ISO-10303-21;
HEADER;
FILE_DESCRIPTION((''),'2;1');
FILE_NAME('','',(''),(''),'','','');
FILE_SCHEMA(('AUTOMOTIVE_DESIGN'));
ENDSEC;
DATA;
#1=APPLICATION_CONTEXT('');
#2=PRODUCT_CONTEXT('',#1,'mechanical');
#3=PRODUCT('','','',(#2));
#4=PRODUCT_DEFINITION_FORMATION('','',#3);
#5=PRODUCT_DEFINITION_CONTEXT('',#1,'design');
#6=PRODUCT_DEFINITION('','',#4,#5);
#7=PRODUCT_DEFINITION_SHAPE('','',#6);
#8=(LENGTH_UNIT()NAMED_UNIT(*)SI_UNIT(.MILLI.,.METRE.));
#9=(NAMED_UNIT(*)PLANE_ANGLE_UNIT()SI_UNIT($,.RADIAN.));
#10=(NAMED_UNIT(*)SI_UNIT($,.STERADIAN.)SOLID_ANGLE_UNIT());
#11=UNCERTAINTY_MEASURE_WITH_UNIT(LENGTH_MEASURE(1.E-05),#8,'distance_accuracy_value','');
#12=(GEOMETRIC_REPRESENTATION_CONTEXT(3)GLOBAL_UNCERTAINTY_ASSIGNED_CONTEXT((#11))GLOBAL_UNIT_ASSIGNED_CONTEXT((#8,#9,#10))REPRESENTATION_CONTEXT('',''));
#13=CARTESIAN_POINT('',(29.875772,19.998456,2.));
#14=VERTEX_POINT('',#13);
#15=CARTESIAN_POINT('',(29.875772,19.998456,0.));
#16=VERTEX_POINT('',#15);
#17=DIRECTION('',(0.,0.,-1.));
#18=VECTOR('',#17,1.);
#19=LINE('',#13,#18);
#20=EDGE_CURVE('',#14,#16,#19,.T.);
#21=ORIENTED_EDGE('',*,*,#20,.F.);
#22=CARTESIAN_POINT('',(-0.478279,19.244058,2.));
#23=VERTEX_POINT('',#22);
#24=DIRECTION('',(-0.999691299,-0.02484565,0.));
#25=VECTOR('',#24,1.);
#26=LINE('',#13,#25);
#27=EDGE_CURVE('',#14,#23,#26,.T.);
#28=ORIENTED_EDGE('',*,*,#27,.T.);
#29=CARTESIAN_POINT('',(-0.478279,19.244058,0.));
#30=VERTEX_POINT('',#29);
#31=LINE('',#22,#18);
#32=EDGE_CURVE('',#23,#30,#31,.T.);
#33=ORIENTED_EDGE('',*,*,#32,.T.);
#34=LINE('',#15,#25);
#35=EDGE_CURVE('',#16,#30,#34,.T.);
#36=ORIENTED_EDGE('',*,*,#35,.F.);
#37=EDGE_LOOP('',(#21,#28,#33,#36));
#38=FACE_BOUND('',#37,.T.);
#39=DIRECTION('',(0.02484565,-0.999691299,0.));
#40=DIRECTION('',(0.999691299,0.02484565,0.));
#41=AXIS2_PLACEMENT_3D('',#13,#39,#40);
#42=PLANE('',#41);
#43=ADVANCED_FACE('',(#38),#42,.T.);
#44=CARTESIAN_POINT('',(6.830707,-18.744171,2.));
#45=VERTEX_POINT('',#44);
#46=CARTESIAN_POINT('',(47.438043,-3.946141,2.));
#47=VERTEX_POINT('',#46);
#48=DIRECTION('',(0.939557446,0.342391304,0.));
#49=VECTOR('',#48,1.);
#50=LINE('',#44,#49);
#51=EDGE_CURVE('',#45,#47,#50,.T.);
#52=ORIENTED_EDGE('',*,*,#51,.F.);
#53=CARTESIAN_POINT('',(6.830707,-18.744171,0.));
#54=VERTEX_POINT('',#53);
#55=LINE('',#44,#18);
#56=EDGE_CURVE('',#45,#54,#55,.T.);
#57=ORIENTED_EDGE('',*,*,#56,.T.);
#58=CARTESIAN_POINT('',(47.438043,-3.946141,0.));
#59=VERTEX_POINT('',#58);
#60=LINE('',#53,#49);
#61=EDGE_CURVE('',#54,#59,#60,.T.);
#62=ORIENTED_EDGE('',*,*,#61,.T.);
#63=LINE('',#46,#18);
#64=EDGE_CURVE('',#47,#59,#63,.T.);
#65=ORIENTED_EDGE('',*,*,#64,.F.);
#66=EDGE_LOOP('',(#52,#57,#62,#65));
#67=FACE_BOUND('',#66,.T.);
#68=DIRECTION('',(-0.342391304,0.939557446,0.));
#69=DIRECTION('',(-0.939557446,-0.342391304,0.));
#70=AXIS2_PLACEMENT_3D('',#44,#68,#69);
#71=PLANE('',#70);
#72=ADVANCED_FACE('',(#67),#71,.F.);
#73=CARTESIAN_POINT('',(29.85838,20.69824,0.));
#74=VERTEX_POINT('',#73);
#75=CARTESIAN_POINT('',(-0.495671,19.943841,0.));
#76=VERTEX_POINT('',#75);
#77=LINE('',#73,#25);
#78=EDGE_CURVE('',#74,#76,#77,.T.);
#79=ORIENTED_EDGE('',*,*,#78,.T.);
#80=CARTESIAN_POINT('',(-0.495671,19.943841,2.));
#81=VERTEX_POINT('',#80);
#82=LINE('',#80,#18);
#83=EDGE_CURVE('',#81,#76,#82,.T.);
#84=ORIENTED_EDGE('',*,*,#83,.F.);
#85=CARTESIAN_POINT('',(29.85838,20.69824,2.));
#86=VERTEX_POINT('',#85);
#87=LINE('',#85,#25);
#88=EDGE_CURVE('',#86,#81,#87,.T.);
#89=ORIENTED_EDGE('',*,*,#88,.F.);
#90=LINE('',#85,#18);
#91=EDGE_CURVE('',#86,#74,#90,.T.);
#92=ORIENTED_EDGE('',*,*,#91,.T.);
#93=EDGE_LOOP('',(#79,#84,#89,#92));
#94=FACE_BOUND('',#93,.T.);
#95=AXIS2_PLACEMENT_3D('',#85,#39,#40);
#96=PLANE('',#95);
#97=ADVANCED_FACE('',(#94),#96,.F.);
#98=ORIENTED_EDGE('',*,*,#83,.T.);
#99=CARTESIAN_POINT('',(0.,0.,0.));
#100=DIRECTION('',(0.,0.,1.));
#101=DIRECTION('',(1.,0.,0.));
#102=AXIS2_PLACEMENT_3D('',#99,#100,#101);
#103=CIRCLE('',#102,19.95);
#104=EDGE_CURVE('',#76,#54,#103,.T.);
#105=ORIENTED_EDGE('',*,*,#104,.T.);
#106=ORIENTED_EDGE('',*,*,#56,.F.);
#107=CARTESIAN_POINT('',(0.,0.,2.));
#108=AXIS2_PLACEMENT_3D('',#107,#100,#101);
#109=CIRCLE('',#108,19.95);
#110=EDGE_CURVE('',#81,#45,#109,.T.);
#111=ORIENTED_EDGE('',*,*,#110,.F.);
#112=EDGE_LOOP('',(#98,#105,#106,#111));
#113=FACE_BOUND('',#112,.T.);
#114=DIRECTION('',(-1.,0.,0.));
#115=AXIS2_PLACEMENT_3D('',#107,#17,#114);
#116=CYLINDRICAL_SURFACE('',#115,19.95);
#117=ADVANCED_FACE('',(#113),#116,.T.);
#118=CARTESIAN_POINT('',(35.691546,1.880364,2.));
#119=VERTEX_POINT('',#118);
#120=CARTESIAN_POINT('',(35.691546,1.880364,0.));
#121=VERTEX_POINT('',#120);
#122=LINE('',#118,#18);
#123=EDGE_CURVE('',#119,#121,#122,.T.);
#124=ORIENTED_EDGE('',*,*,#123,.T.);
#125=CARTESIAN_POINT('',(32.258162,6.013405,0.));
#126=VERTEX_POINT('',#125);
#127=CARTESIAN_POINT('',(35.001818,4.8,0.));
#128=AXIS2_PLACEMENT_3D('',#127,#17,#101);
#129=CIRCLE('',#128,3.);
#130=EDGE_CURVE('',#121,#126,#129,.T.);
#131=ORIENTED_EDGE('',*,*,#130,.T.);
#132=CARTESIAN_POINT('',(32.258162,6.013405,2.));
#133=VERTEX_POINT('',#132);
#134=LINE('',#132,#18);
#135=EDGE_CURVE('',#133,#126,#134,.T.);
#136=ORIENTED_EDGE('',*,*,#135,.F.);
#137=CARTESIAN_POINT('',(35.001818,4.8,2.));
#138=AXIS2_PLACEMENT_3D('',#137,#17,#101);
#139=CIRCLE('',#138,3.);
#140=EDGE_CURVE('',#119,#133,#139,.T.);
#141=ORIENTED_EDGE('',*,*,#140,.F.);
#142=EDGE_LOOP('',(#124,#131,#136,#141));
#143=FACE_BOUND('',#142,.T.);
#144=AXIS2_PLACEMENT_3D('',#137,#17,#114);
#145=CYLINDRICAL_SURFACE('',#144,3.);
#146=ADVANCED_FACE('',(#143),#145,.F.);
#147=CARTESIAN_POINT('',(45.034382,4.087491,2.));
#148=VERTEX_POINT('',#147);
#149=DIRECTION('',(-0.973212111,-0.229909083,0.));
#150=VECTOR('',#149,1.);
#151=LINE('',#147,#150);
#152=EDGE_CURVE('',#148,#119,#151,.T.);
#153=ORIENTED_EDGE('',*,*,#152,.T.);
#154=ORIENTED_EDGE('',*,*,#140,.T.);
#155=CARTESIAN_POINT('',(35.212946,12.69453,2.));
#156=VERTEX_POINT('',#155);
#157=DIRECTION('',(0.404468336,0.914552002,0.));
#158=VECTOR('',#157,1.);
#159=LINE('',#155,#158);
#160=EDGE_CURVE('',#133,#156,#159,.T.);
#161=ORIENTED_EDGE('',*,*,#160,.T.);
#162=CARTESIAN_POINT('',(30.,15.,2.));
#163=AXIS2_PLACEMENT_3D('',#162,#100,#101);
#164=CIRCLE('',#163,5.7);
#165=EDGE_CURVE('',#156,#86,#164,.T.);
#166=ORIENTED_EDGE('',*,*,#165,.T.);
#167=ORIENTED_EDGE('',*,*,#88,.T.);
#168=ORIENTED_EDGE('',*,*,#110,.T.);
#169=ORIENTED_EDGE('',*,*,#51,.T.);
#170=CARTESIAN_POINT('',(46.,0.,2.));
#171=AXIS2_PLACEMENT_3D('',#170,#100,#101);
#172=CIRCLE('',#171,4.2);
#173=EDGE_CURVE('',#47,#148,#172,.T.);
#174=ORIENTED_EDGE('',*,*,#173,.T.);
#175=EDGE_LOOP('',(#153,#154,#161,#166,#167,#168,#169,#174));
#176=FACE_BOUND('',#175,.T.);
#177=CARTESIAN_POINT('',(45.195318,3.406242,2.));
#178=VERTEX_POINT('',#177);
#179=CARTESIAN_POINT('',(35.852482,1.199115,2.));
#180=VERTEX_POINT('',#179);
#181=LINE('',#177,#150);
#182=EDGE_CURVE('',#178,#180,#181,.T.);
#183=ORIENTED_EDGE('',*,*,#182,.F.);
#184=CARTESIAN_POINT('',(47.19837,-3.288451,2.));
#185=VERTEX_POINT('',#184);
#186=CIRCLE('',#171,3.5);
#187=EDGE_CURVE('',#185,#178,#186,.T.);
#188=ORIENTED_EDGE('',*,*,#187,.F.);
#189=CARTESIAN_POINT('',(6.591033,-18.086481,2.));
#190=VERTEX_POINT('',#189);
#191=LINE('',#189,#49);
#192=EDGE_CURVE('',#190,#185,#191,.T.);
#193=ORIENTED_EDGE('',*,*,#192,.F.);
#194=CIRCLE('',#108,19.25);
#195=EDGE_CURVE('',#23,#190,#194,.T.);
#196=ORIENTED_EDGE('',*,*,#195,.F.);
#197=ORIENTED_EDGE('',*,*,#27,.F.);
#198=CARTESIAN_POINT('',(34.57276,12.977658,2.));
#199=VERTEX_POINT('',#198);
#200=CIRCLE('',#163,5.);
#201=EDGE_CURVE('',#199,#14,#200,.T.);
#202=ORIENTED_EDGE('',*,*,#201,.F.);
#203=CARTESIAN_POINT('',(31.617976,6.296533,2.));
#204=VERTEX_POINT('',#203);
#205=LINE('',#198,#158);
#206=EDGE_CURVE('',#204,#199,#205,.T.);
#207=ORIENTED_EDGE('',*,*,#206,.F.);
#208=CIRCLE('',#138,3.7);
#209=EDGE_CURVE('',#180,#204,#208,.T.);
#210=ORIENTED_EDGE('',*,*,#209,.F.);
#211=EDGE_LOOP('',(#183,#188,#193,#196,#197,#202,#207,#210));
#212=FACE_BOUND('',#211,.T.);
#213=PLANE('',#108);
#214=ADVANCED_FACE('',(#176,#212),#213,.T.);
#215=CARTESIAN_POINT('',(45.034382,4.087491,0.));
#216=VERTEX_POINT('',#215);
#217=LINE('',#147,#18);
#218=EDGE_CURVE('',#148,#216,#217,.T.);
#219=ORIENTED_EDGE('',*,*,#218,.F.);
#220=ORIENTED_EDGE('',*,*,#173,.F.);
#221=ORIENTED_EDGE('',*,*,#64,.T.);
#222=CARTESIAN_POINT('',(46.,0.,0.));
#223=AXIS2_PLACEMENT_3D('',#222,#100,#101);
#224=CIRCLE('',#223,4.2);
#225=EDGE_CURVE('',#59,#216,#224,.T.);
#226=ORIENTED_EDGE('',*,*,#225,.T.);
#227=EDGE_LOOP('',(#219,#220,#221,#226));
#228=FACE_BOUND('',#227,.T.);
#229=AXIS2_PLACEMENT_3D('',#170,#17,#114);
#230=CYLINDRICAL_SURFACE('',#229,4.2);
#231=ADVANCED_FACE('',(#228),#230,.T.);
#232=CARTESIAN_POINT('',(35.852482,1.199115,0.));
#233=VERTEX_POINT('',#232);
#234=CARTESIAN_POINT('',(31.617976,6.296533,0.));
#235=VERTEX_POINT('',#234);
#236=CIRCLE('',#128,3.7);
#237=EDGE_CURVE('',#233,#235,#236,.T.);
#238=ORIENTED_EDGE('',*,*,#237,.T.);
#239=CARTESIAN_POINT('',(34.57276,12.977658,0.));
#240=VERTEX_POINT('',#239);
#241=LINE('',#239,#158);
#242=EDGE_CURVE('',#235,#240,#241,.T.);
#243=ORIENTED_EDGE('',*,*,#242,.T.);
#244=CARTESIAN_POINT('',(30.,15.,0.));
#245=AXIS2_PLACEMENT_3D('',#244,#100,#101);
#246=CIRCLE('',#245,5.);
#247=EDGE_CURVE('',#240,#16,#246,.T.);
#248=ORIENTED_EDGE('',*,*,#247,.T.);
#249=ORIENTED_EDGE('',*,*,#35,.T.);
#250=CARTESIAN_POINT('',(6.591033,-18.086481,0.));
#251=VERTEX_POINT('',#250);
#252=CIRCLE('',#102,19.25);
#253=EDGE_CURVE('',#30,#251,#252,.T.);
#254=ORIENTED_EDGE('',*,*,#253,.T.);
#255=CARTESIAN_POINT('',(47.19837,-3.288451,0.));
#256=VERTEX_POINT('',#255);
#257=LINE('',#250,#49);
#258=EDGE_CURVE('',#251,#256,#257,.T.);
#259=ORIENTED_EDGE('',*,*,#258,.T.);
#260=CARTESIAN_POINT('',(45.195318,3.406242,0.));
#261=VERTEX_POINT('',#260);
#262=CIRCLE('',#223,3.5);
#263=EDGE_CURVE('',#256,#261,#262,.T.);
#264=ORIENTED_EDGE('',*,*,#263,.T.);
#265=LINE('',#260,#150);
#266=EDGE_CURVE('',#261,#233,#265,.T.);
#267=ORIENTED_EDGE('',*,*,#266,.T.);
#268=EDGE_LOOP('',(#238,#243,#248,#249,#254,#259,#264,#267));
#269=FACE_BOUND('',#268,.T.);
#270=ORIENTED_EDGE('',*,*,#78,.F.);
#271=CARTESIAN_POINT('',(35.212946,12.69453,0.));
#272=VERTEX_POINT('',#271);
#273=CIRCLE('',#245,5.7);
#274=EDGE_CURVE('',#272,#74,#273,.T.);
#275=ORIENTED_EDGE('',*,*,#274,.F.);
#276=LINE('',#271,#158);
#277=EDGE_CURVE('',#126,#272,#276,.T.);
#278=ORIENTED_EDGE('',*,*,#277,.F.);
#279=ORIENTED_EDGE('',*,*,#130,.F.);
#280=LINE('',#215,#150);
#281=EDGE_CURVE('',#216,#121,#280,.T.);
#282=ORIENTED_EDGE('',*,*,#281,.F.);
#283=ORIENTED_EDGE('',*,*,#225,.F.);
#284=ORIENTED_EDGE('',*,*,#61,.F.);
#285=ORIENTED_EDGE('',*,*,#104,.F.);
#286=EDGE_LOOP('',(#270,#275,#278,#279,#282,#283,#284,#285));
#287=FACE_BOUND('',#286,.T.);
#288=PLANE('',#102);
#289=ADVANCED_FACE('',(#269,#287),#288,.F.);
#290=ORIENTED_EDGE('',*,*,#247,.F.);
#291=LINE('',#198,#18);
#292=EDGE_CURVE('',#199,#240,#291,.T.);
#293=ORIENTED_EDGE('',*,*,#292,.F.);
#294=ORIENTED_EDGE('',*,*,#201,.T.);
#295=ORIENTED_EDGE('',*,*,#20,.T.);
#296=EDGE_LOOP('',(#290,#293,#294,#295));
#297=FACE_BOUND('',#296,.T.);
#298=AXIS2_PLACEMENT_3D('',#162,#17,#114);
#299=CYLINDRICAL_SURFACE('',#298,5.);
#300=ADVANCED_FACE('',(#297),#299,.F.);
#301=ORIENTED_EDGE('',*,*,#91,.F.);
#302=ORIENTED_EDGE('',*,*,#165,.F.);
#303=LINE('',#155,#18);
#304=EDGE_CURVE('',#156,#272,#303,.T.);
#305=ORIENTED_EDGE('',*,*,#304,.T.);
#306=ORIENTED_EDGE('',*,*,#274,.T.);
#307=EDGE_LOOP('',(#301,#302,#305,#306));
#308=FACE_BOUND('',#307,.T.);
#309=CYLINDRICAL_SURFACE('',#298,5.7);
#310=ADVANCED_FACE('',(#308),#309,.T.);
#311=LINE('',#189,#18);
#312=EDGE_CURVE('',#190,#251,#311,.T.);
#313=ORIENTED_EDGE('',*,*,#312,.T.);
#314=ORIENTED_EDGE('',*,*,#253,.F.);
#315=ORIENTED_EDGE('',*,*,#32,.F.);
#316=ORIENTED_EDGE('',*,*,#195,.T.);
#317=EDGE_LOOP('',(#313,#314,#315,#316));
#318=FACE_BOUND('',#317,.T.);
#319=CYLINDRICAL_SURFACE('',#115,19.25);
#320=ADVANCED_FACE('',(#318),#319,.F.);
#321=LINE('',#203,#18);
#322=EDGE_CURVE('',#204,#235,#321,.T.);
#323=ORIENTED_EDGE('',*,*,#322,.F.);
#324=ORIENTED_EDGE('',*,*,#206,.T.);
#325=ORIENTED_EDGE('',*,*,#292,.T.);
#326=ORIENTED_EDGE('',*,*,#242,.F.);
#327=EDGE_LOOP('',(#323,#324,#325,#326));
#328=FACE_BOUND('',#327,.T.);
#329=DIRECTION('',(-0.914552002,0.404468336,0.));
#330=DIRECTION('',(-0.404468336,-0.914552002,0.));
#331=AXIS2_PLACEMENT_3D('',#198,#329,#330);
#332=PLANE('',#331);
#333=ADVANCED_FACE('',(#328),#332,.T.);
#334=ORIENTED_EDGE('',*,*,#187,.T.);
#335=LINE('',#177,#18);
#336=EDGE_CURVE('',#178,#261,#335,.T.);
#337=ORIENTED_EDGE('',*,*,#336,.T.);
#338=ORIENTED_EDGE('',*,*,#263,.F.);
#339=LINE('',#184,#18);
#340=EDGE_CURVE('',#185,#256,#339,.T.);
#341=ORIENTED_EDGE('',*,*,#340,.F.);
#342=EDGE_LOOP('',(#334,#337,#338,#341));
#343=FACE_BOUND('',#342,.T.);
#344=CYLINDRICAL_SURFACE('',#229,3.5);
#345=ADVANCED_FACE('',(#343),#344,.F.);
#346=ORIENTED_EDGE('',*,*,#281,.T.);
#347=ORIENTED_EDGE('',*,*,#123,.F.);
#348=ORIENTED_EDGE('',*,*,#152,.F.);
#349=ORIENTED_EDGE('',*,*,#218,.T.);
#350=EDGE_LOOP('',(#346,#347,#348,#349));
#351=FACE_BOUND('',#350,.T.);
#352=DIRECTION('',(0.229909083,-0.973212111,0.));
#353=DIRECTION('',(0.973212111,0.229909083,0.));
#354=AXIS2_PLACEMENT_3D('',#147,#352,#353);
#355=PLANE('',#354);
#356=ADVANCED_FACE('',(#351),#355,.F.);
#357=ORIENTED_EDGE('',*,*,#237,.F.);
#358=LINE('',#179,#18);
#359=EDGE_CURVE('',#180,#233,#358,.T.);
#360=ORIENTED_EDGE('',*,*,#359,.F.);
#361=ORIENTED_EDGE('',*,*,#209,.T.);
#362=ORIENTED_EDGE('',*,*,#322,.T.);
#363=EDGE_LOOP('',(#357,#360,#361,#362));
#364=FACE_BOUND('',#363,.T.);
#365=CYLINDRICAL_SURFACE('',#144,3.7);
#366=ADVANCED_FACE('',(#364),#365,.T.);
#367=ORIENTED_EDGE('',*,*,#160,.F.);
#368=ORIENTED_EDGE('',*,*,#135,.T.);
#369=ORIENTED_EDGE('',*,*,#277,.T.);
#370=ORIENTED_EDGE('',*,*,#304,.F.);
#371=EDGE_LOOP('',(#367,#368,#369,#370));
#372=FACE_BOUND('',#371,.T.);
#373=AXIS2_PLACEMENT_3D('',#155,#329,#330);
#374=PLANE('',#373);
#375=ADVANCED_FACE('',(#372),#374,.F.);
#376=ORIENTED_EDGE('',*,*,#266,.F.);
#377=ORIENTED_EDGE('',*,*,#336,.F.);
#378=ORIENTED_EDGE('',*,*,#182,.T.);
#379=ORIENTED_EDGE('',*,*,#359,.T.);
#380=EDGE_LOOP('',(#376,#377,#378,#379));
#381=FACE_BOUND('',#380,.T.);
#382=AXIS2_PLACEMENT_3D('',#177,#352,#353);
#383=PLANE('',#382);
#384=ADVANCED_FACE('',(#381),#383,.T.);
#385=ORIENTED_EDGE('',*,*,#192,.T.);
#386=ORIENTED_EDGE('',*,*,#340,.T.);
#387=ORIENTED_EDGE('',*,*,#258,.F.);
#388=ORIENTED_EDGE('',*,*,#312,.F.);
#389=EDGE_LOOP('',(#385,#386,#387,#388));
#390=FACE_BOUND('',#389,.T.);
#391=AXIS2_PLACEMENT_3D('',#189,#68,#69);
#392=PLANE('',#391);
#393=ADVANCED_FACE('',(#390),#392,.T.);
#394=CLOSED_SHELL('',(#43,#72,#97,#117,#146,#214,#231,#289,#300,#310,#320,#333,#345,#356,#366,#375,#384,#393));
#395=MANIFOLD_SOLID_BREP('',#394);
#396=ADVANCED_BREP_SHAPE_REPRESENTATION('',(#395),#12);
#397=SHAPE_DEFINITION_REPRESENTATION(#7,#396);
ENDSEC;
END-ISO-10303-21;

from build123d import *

# Parameters (mm, degrees)
RESSALTO_EXTRUS_O1_DEPTH = 2


with BuildPart() as part:
    # Esboço1 → Ressalto-extrusão1 (new body)
    with BuildSketch(Plane.XY):
        with BuildLine():
            Line((6.830706522, -18.744171052), (47.438043478, -3.946141274))
            ThreePointArc((47.438043478, -3.946141274), (50.023755431, 1.20390707), (45.03438185, 4.087490867))
            Line((45.03438185, 4.087490867), (35.691545582, 1.880363666))
            ThreePointArc((35.691545582, 1.880363666), (32.69418675, 2.883013698), (32.258162325, 6.013405008))
            Line((32.258162325, 6.013405008), (35.212946414, 12.694530484))
            ThreePointArc((35.212946414, 12.694530484), (34.737555331, 18.169474639), (29.858379797, 20.698240405))
            Line((29.858379797, 20.698240405), (-0.49567071, 19.943841419))
            ThreePointArc((-0.49567071, 19.943841419), (-19.601626129, -3.711974283), (6.830706522, -18.744171052))
        make_face()
        with BuildLine():
            Line((45.195318208, 3.406242389), (35.852481941, 1.199115189))
            ThreePointArc((35.852481941, 1.199115189), (32.155739381, 2.435716894), (31.617975923, 6.296532844))
            Line((31.617975923, 6.296532844), (34.572760012, 12.977658319))
            ThreePointArc((34.572760012, 12.977658319), (34.15575029, 17.780240912), (29.875771752, 19.998456496))
            Line((29.875771752, 19.998456496), (-0.478278755, 19.24405751))
            ThreePointArc((-0.478278755, 19.24405751), (-18.913849774, -3.581729572), (6.591032609, -18.086480839))
            Line((6.591032609, -18.086480839), (47.198369565, -3.288451062))
            ThreePointArc((47.198369565, -3.288451062), (49.353129526, 1.003255892), (45.195318208, 3.406242389))
        make_face(mode=Mode.SUBTRACT)
    extrude(amount=RESSALTO_EXTRUS_O1_DEPTH)


solid = part.part
